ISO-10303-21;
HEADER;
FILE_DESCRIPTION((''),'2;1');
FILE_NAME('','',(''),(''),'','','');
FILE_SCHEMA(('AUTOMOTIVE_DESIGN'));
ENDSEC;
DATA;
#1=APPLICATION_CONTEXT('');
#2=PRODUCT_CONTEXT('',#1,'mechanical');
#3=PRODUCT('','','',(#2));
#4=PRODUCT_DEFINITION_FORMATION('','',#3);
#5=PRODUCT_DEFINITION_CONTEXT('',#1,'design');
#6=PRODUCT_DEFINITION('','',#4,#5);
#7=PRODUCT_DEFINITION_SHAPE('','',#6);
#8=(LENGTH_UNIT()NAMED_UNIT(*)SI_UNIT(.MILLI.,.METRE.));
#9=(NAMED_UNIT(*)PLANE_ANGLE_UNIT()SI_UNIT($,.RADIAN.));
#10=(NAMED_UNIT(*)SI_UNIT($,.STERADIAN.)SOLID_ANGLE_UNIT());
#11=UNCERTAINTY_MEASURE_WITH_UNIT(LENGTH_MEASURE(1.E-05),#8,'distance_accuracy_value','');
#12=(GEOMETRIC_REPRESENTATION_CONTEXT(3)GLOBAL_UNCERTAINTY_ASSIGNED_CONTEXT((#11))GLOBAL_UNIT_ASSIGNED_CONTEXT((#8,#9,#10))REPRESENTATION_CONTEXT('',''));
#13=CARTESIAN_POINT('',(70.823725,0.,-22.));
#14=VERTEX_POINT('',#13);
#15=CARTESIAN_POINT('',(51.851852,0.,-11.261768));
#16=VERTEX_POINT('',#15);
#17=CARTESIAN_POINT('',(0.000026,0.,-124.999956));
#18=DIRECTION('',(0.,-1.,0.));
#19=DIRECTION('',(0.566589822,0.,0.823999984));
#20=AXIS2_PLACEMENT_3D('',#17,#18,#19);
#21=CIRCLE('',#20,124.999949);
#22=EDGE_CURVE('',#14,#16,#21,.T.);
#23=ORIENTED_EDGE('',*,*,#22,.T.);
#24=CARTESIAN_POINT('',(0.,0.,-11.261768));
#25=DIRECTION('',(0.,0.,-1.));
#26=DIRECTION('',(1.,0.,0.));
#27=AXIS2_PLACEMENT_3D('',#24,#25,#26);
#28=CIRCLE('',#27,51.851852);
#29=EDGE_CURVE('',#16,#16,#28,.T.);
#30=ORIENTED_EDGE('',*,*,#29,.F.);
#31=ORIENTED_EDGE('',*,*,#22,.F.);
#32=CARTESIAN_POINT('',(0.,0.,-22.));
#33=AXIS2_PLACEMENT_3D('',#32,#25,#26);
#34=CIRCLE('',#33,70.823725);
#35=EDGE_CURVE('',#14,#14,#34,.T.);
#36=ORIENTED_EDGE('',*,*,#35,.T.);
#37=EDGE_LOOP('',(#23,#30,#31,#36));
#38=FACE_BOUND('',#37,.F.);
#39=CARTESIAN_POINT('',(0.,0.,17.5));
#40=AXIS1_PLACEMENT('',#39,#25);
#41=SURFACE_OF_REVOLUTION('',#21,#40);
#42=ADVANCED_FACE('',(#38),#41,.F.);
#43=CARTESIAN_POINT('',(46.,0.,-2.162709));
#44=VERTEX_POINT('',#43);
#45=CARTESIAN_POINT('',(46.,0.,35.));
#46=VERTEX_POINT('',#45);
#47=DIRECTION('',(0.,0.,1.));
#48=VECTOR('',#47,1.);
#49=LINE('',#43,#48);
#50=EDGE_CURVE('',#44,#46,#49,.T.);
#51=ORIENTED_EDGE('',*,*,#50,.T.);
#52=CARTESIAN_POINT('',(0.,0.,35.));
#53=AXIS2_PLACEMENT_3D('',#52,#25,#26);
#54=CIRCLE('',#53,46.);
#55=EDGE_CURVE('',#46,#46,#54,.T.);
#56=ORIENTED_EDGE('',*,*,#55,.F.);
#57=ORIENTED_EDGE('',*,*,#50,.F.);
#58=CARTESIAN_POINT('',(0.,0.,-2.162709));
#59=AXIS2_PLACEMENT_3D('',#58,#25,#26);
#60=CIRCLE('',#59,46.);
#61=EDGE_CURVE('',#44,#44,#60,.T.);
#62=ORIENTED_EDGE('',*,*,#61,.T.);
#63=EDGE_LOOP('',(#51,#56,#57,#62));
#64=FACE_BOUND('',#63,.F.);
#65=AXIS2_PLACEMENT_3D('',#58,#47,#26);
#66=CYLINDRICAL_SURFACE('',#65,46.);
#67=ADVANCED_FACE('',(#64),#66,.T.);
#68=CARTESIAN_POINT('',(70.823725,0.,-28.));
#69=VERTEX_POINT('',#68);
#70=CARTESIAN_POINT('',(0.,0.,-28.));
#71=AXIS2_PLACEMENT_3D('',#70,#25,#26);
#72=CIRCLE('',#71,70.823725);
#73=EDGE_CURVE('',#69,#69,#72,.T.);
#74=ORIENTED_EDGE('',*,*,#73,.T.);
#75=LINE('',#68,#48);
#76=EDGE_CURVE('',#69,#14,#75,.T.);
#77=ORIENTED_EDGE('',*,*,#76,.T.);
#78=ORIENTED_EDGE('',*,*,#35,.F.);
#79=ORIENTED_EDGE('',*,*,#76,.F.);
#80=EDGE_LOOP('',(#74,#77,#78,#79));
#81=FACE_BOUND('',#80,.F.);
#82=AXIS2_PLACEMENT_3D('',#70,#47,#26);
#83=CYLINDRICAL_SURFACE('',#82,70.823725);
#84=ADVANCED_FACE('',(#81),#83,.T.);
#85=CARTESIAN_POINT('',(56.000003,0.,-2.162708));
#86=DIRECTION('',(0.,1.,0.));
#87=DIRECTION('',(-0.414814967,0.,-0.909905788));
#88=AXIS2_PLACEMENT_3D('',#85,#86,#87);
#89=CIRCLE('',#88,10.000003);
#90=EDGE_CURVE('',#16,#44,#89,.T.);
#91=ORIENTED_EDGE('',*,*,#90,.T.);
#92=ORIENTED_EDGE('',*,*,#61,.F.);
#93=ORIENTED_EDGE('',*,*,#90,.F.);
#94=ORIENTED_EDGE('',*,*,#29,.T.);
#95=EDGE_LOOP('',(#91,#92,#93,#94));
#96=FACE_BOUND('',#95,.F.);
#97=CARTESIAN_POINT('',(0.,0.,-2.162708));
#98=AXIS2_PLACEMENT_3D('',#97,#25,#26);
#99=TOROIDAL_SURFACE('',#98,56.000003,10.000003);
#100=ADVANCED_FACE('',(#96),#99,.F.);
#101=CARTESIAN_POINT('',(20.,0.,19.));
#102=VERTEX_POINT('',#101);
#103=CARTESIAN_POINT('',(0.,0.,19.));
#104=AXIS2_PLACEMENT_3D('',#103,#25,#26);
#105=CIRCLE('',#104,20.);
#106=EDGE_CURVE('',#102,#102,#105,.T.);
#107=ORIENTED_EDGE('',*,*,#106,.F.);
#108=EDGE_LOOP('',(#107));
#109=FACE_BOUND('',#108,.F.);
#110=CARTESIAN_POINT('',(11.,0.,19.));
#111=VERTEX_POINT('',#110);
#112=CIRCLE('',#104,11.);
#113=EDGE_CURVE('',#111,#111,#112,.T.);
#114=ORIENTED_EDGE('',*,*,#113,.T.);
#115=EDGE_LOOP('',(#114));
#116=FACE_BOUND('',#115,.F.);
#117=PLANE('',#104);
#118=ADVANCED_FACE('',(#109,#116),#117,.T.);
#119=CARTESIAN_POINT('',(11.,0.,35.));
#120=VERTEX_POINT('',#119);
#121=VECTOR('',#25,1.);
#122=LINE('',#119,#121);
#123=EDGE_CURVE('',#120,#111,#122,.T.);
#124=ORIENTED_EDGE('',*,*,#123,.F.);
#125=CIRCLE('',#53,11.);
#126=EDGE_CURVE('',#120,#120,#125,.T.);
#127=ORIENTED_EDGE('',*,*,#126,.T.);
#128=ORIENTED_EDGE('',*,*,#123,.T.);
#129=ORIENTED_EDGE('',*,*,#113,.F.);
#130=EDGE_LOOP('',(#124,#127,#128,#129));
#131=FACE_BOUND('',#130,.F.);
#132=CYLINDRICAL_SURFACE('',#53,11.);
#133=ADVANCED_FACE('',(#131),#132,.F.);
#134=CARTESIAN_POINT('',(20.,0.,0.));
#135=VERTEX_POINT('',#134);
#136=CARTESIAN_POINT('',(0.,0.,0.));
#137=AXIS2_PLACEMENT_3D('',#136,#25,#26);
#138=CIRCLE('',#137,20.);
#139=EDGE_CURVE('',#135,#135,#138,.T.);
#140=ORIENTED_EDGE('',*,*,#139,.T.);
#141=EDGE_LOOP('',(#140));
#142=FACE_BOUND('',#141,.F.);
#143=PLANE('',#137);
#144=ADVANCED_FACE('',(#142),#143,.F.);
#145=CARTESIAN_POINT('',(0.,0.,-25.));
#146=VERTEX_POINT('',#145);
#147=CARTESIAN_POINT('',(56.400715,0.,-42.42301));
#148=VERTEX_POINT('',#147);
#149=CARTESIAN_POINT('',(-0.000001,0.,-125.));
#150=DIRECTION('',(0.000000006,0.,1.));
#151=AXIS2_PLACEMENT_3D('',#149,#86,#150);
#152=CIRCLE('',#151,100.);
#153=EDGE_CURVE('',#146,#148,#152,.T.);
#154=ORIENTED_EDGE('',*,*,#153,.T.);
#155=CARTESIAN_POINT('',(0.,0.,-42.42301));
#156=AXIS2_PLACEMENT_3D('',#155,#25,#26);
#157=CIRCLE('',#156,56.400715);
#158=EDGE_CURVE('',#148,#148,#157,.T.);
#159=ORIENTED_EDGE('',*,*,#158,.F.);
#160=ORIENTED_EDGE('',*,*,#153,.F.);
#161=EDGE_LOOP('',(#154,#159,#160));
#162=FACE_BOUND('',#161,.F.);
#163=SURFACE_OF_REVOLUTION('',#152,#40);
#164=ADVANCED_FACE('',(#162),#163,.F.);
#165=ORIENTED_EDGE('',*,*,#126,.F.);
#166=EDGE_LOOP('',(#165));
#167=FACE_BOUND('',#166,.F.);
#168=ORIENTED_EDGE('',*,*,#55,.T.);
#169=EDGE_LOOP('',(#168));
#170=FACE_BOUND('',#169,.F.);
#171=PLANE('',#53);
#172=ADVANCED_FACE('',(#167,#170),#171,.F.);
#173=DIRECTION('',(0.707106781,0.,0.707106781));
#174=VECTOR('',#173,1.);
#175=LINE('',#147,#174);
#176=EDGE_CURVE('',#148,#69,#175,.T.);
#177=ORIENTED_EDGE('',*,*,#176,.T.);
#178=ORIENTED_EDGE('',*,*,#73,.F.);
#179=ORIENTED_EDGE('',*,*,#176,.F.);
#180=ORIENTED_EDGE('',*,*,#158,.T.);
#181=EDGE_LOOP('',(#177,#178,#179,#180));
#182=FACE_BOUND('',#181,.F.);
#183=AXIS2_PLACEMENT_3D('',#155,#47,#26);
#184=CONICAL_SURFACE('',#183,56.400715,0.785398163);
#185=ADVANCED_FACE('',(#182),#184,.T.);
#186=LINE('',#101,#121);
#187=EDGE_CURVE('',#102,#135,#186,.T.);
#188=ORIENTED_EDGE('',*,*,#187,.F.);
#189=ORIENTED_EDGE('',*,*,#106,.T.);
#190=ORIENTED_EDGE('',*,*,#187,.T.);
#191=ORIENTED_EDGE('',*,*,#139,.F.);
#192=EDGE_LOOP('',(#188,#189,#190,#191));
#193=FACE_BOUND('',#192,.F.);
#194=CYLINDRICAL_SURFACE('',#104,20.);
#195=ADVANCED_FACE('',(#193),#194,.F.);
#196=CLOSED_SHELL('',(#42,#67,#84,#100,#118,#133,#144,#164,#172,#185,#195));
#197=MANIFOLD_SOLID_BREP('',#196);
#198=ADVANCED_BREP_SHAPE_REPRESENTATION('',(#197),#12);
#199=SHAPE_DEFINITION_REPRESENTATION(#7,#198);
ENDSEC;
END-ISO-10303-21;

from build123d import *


with BuildPart() as f1:
    # F0 (on Front) → F1 (revolve)
    with BuildSketch(Plane.XZ):
        with BuildLine():
            Line((46, 35), (11, 35))
            Line((11, 35), (11, 19))
            Line((11, 19), (20, 19))
            Line((20, 19), (20, 0))
            Line((20, 0), (0, 0))
            Line((0, 0), (0, -25))
            ThreePointArc((0, -25), (29.515258, -29.454987), (56.400715, -42.42301))
            Line((56.400715, -42.42301), (70.823725, -28))
            Line((70.823725, -28), (70.823725, -22))
            ThreePointArc((70.823725, -22), (61.572329, -16.216507), (51.851852, -11.261768))
            ThreePointArc((51.851852, -11.261768), (47.589249, -7.571892), (46, -2.162709))
            Line((46, -2.162709), (46, 35))
        make_face()
    revolve(axis=Axis((0, 0, 17.5), (0, 0, -1)))


solid = f1.part
